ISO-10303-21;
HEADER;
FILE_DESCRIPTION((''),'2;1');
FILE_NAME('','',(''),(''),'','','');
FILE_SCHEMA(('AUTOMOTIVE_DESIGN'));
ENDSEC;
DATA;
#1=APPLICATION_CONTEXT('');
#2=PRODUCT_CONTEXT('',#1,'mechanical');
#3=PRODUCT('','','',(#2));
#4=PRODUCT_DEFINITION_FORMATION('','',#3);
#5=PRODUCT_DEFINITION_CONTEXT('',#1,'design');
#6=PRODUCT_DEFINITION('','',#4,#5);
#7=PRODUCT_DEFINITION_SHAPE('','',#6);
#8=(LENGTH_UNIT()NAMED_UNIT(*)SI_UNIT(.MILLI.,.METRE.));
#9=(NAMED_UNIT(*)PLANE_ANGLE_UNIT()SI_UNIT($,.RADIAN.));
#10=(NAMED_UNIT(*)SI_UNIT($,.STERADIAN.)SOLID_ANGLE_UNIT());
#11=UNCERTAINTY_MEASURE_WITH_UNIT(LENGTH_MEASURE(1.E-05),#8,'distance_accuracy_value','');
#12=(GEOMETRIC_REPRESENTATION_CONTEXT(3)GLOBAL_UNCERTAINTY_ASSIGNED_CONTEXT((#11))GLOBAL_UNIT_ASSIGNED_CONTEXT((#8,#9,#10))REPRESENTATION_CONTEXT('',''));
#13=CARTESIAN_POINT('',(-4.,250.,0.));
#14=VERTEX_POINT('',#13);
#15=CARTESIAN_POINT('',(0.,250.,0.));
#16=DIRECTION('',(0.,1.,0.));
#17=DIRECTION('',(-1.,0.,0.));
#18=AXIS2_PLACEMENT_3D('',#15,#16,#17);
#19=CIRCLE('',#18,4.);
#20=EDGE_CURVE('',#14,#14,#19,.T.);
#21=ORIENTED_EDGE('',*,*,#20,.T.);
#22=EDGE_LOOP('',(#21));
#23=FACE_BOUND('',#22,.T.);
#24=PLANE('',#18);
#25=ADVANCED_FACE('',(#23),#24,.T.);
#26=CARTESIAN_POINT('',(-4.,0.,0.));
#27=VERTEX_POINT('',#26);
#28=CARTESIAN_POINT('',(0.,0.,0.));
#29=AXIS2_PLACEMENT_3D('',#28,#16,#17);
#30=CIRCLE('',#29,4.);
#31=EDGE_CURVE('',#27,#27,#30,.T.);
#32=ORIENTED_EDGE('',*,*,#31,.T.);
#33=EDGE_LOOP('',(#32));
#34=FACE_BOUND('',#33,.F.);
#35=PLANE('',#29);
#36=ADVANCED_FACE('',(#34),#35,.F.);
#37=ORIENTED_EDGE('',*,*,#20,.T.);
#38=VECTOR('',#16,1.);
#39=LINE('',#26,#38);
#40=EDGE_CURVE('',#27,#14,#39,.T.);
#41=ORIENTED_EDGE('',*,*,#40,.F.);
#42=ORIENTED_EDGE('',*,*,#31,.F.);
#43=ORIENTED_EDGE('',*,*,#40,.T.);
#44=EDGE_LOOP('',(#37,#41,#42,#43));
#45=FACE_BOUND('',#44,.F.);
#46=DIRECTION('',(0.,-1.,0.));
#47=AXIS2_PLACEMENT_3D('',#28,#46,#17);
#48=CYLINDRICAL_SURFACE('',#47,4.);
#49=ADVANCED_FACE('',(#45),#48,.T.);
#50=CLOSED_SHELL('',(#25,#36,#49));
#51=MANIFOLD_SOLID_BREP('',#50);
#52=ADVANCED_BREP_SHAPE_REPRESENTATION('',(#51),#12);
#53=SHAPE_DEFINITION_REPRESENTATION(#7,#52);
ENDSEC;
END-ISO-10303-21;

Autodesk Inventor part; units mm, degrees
ref_plane "YZ Plane" through (0, 0, 0) normal (1, 0, 0) x (0, 1, 0)
ref_plane "XZ Plane" through (0, 0, 0) normal (0, 1, 0) x (-1, 0, 0)
ref_plane "XY Plane" through (0, 0, 0) normal (0, 0, 1) x (1, 0, 0)
sketch "Sketch1" plane through (0, 0, 0) normal (0, 1, 0) x (-1, 0, 0)
  circle A0 centre (0, 0) radius 4
  dimension "d0" = 8
extrude "Extrusion1" add sketch "Sketch1" along normal blind 250
properties part number "Guide rods"
